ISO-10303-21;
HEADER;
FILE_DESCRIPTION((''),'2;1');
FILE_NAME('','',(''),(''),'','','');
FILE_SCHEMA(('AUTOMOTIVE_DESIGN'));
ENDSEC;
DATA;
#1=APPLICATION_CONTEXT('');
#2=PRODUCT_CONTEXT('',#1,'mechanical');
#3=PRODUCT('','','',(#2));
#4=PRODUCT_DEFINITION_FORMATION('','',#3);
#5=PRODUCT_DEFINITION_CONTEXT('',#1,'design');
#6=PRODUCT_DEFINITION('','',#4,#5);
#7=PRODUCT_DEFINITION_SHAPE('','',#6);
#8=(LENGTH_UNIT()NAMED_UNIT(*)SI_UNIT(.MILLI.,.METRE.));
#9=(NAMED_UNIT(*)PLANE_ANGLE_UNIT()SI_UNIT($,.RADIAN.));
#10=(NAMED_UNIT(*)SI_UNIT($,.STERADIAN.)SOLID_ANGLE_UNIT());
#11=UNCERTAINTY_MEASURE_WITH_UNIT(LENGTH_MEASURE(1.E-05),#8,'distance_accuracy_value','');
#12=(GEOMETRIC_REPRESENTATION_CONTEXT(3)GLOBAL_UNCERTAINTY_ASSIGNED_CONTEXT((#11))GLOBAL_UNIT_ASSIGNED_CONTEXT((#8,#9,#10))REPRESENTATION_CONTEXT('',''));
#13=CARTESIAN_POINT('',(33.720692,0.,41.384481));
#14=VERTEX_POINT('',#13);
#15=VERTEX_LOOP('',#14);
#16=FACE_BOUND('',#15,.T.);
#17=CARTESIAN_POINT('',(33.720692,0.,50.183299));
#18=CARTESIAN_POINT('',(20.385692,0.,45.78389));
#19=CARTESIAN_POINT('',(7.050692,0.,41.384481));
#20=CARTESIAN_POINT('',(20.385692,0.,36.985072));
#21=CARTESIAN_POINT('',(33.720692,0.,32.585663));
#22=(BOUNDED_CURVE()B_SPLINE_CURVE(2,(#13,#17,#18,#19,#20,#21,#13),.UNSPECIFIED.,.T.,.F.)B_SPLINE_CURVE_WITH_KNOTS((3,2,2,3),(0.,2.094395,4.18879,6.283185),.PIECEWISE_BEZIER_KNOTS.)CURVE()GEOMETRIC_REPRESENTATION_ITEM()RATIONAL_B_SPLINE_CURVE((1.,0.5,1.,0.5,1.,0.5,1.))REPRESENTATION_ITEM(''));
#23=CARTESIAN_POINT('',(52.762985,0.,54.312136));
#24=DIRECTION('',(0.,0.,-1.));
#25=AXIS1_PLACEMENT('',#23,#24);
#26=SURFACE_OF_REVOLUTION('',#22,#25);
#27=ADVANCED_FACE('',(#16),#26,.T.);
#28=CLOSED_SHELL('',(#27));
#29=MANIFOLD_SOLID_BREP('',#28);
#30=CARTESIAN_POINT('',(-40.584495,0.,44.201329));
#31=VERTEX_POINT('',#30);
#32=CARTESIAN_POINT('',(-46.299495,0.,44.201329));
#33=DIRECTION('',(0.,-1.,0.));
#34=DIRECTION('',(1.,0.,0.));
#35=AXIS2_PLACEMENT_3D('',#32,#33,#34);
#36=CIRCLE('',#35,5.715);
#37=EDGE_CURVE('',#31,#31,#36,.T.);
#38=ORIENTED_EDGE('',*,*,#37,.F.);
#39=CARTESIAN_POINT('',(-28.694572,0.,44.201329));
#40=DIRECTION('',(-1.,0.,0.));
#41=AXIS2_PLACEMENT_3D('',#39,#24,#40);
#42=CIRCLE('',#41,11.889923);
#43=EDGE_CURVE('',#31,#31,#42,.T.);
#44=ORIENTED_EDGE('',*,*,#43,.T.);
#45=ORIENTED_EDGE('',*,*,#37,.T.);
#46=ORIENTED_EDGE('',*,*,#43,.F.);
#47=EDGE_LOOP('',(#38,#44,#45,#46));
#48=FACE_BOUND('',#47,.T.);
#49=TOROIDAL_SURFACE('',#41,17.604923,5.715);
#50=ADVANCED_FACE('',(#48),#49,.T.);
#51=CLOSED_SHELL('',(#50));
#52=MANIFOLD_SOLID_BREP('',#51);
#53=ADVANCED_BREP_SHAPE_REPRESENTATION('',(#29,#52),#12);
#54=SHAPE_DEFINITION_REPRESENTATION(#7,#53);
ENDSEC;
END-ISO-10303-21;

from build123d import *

# Parameters (mm, degrees)
F0_R = 5.715


with BuildPart() as f2:
    # F0 (on Front) → F2 (revolve)
    with BuildSketch(Plane.XZ):
        with Locations((-46.299495, 44.201329)):
            Circle(F0_R)
    revolve(axis=Axis((-28.694572, 0, 39.708914), (0, 0, -1)))


with BuildPart() as f5:
    # F3 (on Front) → F5 (revolve)
    with BuildSketch(Plane.XZ):
        with BuildLine():
            add(Edge.make_bspline(
                [(33.720692, 41.384481), (33.720692, 50.183299), (20.385692, 45.78389), (7.050692, 41.384481), (20.385692, 36.985072), (33.720692, 32.585663), (33.720692, 41.384481)],
                knots=[0, 0, 0, 2.094395, 2.094395, 4.18879, 4.18879, 6.283185, 6.283185, 6.283185], degree=2, weights=[1, 0.5, 1, 0.5, 1, 0.5, 1]))
        make_face()
    revolve(axis=Axis((52.762985, 0, 54.312136), (0, 0, -1)))


solid = Compound([f2.part, f5.part])
